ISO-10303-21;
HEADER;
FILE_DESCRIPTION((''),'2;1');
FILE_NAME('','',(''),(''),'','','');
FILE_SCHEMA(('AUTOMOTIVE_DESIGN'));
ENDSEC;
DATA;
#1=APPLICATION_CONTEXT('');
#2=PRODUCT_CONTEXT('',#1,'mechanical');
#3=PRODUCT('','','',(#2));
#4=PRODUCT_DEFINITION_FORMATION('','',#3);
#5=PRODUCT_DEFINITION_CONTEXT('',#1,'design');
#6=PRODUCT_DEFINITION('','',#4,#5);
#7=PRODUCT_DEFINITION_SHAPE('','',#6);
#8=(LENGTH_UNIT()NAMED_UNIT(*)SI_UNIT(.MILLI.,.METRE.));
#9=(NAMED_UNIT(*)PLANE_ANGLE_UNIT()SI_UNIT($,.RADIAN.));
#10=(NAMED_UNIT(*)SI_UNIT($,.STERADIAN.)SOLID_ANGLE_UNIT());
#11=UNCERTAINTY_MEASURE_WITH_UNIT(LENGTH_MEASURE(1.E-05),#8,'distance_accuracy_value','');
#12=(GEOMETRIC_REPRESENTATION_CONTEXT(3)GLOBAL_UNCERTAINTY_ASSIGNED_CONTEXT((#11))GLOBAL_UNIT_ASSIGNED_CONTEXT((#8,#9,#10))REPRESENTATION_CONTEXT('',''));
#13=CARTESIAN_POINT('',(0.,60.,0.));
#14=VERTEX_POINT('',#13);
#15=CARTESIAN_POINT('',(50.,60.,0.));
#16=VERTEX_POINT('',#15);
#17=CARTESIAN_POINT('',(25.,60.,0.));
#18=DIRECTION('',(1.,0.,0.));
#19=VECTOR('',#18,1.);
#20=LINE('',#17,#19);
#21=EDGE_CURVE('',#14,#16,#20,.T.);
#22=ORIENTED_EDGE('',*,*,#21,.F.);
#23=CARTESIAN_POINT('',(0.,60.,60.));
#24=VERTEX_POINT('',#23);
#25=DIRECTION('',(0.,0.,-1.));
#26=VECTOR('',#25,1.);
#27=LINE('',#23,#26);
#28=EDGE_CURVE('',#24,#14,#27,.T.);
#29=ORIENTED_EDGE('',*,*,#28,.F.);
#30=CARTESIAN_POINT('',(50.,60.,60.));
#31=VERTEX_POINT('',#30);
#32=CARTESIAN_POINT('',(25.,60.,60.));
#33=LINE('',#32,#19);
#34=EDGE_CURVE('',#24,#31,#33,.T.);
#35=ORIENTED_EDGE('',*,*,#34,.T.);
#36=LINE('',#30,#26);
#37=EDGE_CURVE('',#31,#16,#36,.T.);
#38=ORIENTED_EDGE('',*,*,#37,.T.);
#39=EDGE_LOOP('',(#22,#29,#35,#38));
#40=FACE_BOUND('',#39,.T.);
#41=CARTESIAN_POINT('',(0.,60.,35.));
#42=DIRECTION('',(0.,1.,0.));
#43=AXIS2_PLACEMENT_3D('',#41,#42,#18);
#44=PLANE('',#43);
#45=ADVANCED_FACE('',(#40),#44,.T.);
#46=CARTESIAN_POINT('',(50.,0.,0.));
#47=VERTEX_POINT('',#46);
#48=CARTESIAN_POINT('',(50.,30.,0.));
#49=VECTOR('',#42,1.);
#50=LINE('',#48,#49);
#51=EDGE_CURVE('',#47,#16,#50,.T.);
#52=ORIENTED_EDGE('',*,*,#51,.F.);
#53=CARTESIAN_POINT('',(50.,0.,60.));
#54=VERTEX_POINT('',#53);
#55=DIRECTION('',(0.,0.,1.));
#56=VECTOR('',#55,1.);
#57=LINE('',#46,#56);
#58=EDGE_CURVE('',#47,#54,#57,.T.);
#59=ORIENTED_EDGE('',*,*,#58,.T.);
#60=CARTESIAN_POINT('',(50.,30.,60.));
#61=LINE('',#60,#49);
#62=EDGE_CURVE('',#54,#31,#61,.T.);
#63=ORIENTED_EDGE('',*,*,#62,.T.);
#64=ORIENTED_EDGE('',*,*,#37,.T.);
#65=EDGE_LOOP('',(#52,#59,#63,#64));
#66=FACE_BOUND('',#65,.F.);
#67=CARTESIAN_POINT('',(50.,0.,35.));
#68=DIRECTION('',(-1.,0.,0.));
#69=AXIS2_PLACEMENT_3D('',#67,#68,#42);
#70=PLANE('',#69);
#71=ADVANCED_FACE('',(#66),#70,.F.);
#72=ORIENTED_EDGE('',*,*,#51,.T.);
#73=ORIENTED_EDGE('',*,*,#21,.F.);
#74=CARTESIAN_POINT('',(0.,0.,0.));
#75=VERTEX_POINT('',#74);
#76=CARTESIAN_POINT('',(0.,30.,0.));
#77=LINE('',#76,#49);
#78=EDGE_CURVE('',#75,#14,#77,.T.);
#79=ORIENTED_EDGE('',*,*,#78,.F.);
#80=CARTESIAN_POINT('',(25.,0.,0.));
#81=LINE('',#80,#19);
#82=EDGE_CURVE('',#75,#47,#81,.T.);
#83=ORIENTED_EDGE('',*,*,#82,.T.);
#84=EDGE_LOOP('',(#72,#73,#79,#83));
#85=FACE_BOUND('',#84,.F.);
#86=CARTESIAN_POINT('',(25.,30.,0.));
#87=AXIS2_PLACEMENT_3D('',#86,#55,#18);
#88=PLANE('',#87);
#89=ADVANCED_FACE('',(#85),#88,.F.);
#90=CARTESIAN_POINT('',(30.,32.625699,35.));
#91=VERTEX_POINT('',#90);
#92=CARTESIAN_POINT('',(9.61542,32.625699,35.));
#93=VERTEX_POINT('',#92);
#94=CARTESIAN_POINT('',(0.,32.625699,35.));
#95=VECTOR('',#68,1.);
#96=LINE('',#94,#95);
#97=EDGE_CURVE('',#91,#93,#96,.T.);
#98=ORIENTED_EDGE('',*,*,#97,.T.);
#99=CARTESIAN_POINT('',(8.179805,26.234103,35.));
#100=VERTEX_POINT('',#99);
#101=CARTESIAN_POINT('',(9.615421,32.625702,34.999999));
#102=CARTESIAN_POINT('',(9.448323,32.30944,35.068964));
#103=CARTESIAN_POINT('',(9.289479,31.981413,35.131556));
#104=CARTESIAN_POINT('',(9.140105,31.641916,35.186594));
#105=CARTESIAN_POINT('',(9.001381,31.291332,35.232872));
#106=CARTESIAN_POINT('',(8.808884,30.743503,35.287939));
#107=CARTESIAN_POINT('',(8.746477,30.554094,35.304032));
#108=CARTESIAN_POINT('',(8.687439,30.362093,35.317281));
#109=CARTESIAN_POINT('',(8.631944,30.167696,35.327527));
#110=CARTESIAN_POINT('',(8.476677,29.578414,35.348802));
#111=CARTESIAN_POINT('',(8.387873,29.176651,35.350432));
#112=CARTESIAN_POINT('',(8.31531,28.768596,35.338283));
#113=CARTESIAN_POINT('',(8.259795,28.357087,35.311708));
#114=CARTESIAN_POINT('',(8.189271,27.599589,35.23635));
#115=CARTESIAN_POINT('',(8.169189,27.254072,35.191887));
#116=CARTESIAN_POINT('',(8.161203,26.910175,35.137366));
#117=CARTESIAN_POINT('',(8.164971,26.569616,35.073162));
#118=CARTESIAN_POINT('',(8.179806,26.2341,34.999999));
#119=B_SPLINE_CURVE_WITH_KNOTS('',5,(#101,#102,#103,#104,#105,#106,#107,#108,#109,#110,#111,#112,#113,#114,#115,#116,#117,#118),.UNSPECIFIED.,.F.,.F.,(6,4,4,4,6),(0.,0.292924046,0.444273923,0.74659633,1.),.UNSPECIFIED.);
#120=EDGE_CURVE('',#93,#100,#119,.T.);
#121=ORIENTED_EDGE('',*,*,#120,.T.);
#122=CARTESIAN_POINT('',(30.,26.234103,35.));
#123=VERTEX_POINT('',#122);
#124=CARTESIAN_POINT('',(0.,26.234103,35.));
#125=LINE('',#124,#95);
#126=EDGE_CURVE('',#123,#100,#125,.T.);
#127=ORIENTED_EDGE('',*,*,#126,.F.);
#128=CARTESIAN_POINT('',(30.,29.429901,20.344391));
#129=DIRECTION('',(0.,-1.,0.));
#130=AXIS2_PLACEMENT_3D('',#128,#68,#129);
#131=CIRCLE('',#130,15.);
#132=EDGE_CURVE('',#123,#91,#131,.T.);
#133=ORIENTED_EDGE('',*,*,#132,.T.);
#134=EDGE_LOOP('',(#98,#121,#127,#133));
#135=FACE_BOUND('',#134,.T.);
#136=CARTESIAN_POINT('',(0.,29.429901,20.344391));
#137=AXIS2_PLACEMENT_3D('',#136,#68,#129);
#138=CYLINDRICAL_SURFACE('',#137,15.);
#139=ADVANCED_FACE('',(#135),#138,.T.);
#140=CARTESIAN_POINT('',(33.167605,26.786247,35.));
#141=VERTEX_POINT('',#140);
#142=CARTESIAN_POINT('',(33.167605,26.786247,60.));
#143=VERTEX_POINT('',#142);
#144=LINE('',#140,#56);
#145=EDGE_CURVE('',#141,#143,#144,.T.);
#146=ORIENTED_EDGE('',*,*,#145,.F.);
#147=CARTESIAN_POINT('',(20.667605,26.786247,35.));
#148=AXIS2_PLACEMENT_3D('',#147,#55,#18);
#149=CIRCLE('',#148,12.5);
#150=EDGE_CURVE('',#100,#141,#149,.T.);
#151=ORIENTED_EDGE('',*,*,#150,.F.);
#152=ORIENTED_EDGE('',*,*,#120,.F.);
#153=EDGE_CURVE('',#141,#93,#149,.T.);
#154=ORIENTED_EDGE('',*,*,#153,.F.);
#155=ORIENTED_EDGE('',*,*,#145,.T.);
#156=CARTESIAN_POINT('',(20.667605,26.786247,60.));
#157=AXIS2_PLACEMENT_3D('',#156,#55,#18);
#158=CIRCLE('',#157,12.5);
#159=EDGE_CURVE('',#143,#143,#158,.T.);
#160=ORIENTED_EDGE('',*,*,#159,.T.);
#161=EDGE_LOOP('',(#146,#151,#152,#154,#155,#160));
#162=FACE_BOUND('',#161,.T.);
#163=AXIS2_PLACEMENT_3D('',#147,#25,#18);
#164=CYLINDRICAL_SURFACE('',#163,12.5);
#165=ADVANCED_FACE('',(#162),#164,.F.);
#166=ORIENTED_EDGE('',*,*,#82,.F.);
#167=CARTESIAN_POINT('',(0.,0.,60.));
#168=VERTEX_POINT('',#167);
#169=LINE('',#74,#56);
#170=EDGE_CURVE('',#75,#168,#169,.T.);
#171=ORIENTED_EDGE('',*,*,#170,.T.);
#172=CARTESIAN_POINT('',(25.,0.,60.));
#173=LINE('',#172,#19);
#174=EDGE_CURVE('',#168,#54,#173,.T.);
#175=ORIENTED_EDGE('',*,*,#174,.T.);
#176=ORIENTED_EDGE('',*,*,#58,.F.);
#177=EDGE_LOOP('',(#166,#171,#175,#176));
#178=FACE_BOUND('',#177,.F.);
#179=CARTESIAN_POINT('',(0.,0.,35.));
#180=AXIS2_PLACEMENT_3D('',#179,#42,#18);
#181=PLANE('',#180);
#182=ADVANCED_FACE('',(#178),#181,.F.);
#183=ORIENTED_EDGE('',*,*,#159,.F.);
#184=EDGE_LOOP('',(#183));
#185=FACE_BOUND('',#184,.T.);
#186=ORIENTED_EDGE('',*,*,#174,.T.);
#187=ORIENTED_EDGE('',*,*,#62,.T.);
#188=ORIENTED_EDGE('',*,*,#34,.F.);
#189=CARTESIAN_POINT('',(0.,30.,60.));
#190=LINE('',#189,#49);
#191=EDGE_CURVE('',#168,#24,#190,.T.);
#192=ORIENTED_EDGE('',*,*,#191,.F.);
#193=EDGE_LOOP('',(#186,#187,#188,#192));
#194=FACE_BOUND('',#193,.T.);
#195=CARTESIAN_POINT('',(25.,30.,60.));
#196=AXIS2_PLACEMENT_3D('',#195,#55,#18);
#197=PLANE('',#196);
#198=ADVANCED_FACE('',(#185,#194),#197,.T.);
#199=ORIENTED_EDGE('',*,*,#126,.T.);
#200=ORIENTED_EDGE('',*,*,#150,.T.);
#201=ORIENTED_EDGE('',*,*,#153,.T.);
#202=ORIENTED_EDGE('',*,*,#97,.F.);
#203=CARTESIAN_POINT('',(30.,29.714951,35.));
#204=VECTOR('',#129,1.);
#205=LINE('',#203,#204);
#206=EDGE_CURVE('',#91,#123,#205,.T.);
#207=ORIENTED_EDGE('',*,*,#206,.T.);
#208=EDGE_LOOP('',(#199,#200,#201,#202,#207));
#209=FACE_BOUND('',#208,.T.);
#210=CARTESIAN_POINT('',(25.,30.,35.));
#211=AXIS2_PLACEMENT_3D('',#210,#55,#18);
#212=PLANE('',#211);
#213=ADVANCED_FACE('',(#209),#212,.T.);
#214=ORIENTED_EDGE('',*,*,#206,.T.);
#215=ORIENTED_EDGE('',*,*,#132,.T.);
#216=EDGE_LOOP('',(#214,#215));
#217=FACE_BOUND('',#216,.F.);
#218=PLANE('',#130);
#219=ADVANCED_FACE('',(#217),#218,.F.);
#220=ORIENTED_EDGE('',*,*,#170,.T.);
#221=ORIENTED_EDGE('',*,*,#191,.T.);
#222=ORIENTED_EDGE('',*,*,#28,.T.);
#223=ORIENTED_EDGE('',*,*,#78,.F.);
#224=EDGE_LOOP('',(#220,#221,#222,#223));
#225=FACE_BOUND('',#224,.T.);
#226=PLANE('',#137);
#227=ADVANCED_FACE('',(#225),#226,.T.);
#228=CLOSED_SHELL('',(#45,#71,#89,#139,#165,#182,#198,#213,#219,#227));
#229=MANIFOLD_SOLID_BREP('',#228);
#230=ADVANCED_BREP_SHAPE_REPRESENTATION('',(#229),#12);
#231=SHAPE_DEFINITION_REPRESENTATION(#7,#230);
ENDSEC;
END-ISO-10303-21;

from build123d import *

# Parameters (mm, degrees)
F0_W     = 50
F0_H     = 60
F1_DEPTH = 35
F2_W     = 50
F2_H     = 60
F2_R     = 12.5
F3_DEPTH = 25
F4_R     = 15
F5_DEPTH = 30


with BuildPart() as f1:
    # F0 (on Top) → F1 (new body)
    with BuildSketch(Plane.XY):
        with Locations((25, 30)):
            Rectangle(F0_W, F0_H)
    extrude(amount=F1_DEPTH)

    # F2 (on face) → F3 (join)
    with BuildSketch(Plane.XY.offset(35)):
        with Locations((25, 30)):
            Rectangle(F2_W, F2_H)
        with Locations((20.667605, 26.786247)):
            Circle(F2_R, mode=Mode.SUBTRACT)
    extrude(amount=F3_DEPTH)

    # F4 (on face) → F5 (join)
    with BuildSketch(Plane(origin=(0, 0, 0), x_dir=(0, -1, 0), z_dir=(-1, 0, 0))):
        with Locations((-29.429901, 20.344391)):
            Circle(F4_R)
    extrude(amount=-F5_DEPTH)


solid = f1.part
